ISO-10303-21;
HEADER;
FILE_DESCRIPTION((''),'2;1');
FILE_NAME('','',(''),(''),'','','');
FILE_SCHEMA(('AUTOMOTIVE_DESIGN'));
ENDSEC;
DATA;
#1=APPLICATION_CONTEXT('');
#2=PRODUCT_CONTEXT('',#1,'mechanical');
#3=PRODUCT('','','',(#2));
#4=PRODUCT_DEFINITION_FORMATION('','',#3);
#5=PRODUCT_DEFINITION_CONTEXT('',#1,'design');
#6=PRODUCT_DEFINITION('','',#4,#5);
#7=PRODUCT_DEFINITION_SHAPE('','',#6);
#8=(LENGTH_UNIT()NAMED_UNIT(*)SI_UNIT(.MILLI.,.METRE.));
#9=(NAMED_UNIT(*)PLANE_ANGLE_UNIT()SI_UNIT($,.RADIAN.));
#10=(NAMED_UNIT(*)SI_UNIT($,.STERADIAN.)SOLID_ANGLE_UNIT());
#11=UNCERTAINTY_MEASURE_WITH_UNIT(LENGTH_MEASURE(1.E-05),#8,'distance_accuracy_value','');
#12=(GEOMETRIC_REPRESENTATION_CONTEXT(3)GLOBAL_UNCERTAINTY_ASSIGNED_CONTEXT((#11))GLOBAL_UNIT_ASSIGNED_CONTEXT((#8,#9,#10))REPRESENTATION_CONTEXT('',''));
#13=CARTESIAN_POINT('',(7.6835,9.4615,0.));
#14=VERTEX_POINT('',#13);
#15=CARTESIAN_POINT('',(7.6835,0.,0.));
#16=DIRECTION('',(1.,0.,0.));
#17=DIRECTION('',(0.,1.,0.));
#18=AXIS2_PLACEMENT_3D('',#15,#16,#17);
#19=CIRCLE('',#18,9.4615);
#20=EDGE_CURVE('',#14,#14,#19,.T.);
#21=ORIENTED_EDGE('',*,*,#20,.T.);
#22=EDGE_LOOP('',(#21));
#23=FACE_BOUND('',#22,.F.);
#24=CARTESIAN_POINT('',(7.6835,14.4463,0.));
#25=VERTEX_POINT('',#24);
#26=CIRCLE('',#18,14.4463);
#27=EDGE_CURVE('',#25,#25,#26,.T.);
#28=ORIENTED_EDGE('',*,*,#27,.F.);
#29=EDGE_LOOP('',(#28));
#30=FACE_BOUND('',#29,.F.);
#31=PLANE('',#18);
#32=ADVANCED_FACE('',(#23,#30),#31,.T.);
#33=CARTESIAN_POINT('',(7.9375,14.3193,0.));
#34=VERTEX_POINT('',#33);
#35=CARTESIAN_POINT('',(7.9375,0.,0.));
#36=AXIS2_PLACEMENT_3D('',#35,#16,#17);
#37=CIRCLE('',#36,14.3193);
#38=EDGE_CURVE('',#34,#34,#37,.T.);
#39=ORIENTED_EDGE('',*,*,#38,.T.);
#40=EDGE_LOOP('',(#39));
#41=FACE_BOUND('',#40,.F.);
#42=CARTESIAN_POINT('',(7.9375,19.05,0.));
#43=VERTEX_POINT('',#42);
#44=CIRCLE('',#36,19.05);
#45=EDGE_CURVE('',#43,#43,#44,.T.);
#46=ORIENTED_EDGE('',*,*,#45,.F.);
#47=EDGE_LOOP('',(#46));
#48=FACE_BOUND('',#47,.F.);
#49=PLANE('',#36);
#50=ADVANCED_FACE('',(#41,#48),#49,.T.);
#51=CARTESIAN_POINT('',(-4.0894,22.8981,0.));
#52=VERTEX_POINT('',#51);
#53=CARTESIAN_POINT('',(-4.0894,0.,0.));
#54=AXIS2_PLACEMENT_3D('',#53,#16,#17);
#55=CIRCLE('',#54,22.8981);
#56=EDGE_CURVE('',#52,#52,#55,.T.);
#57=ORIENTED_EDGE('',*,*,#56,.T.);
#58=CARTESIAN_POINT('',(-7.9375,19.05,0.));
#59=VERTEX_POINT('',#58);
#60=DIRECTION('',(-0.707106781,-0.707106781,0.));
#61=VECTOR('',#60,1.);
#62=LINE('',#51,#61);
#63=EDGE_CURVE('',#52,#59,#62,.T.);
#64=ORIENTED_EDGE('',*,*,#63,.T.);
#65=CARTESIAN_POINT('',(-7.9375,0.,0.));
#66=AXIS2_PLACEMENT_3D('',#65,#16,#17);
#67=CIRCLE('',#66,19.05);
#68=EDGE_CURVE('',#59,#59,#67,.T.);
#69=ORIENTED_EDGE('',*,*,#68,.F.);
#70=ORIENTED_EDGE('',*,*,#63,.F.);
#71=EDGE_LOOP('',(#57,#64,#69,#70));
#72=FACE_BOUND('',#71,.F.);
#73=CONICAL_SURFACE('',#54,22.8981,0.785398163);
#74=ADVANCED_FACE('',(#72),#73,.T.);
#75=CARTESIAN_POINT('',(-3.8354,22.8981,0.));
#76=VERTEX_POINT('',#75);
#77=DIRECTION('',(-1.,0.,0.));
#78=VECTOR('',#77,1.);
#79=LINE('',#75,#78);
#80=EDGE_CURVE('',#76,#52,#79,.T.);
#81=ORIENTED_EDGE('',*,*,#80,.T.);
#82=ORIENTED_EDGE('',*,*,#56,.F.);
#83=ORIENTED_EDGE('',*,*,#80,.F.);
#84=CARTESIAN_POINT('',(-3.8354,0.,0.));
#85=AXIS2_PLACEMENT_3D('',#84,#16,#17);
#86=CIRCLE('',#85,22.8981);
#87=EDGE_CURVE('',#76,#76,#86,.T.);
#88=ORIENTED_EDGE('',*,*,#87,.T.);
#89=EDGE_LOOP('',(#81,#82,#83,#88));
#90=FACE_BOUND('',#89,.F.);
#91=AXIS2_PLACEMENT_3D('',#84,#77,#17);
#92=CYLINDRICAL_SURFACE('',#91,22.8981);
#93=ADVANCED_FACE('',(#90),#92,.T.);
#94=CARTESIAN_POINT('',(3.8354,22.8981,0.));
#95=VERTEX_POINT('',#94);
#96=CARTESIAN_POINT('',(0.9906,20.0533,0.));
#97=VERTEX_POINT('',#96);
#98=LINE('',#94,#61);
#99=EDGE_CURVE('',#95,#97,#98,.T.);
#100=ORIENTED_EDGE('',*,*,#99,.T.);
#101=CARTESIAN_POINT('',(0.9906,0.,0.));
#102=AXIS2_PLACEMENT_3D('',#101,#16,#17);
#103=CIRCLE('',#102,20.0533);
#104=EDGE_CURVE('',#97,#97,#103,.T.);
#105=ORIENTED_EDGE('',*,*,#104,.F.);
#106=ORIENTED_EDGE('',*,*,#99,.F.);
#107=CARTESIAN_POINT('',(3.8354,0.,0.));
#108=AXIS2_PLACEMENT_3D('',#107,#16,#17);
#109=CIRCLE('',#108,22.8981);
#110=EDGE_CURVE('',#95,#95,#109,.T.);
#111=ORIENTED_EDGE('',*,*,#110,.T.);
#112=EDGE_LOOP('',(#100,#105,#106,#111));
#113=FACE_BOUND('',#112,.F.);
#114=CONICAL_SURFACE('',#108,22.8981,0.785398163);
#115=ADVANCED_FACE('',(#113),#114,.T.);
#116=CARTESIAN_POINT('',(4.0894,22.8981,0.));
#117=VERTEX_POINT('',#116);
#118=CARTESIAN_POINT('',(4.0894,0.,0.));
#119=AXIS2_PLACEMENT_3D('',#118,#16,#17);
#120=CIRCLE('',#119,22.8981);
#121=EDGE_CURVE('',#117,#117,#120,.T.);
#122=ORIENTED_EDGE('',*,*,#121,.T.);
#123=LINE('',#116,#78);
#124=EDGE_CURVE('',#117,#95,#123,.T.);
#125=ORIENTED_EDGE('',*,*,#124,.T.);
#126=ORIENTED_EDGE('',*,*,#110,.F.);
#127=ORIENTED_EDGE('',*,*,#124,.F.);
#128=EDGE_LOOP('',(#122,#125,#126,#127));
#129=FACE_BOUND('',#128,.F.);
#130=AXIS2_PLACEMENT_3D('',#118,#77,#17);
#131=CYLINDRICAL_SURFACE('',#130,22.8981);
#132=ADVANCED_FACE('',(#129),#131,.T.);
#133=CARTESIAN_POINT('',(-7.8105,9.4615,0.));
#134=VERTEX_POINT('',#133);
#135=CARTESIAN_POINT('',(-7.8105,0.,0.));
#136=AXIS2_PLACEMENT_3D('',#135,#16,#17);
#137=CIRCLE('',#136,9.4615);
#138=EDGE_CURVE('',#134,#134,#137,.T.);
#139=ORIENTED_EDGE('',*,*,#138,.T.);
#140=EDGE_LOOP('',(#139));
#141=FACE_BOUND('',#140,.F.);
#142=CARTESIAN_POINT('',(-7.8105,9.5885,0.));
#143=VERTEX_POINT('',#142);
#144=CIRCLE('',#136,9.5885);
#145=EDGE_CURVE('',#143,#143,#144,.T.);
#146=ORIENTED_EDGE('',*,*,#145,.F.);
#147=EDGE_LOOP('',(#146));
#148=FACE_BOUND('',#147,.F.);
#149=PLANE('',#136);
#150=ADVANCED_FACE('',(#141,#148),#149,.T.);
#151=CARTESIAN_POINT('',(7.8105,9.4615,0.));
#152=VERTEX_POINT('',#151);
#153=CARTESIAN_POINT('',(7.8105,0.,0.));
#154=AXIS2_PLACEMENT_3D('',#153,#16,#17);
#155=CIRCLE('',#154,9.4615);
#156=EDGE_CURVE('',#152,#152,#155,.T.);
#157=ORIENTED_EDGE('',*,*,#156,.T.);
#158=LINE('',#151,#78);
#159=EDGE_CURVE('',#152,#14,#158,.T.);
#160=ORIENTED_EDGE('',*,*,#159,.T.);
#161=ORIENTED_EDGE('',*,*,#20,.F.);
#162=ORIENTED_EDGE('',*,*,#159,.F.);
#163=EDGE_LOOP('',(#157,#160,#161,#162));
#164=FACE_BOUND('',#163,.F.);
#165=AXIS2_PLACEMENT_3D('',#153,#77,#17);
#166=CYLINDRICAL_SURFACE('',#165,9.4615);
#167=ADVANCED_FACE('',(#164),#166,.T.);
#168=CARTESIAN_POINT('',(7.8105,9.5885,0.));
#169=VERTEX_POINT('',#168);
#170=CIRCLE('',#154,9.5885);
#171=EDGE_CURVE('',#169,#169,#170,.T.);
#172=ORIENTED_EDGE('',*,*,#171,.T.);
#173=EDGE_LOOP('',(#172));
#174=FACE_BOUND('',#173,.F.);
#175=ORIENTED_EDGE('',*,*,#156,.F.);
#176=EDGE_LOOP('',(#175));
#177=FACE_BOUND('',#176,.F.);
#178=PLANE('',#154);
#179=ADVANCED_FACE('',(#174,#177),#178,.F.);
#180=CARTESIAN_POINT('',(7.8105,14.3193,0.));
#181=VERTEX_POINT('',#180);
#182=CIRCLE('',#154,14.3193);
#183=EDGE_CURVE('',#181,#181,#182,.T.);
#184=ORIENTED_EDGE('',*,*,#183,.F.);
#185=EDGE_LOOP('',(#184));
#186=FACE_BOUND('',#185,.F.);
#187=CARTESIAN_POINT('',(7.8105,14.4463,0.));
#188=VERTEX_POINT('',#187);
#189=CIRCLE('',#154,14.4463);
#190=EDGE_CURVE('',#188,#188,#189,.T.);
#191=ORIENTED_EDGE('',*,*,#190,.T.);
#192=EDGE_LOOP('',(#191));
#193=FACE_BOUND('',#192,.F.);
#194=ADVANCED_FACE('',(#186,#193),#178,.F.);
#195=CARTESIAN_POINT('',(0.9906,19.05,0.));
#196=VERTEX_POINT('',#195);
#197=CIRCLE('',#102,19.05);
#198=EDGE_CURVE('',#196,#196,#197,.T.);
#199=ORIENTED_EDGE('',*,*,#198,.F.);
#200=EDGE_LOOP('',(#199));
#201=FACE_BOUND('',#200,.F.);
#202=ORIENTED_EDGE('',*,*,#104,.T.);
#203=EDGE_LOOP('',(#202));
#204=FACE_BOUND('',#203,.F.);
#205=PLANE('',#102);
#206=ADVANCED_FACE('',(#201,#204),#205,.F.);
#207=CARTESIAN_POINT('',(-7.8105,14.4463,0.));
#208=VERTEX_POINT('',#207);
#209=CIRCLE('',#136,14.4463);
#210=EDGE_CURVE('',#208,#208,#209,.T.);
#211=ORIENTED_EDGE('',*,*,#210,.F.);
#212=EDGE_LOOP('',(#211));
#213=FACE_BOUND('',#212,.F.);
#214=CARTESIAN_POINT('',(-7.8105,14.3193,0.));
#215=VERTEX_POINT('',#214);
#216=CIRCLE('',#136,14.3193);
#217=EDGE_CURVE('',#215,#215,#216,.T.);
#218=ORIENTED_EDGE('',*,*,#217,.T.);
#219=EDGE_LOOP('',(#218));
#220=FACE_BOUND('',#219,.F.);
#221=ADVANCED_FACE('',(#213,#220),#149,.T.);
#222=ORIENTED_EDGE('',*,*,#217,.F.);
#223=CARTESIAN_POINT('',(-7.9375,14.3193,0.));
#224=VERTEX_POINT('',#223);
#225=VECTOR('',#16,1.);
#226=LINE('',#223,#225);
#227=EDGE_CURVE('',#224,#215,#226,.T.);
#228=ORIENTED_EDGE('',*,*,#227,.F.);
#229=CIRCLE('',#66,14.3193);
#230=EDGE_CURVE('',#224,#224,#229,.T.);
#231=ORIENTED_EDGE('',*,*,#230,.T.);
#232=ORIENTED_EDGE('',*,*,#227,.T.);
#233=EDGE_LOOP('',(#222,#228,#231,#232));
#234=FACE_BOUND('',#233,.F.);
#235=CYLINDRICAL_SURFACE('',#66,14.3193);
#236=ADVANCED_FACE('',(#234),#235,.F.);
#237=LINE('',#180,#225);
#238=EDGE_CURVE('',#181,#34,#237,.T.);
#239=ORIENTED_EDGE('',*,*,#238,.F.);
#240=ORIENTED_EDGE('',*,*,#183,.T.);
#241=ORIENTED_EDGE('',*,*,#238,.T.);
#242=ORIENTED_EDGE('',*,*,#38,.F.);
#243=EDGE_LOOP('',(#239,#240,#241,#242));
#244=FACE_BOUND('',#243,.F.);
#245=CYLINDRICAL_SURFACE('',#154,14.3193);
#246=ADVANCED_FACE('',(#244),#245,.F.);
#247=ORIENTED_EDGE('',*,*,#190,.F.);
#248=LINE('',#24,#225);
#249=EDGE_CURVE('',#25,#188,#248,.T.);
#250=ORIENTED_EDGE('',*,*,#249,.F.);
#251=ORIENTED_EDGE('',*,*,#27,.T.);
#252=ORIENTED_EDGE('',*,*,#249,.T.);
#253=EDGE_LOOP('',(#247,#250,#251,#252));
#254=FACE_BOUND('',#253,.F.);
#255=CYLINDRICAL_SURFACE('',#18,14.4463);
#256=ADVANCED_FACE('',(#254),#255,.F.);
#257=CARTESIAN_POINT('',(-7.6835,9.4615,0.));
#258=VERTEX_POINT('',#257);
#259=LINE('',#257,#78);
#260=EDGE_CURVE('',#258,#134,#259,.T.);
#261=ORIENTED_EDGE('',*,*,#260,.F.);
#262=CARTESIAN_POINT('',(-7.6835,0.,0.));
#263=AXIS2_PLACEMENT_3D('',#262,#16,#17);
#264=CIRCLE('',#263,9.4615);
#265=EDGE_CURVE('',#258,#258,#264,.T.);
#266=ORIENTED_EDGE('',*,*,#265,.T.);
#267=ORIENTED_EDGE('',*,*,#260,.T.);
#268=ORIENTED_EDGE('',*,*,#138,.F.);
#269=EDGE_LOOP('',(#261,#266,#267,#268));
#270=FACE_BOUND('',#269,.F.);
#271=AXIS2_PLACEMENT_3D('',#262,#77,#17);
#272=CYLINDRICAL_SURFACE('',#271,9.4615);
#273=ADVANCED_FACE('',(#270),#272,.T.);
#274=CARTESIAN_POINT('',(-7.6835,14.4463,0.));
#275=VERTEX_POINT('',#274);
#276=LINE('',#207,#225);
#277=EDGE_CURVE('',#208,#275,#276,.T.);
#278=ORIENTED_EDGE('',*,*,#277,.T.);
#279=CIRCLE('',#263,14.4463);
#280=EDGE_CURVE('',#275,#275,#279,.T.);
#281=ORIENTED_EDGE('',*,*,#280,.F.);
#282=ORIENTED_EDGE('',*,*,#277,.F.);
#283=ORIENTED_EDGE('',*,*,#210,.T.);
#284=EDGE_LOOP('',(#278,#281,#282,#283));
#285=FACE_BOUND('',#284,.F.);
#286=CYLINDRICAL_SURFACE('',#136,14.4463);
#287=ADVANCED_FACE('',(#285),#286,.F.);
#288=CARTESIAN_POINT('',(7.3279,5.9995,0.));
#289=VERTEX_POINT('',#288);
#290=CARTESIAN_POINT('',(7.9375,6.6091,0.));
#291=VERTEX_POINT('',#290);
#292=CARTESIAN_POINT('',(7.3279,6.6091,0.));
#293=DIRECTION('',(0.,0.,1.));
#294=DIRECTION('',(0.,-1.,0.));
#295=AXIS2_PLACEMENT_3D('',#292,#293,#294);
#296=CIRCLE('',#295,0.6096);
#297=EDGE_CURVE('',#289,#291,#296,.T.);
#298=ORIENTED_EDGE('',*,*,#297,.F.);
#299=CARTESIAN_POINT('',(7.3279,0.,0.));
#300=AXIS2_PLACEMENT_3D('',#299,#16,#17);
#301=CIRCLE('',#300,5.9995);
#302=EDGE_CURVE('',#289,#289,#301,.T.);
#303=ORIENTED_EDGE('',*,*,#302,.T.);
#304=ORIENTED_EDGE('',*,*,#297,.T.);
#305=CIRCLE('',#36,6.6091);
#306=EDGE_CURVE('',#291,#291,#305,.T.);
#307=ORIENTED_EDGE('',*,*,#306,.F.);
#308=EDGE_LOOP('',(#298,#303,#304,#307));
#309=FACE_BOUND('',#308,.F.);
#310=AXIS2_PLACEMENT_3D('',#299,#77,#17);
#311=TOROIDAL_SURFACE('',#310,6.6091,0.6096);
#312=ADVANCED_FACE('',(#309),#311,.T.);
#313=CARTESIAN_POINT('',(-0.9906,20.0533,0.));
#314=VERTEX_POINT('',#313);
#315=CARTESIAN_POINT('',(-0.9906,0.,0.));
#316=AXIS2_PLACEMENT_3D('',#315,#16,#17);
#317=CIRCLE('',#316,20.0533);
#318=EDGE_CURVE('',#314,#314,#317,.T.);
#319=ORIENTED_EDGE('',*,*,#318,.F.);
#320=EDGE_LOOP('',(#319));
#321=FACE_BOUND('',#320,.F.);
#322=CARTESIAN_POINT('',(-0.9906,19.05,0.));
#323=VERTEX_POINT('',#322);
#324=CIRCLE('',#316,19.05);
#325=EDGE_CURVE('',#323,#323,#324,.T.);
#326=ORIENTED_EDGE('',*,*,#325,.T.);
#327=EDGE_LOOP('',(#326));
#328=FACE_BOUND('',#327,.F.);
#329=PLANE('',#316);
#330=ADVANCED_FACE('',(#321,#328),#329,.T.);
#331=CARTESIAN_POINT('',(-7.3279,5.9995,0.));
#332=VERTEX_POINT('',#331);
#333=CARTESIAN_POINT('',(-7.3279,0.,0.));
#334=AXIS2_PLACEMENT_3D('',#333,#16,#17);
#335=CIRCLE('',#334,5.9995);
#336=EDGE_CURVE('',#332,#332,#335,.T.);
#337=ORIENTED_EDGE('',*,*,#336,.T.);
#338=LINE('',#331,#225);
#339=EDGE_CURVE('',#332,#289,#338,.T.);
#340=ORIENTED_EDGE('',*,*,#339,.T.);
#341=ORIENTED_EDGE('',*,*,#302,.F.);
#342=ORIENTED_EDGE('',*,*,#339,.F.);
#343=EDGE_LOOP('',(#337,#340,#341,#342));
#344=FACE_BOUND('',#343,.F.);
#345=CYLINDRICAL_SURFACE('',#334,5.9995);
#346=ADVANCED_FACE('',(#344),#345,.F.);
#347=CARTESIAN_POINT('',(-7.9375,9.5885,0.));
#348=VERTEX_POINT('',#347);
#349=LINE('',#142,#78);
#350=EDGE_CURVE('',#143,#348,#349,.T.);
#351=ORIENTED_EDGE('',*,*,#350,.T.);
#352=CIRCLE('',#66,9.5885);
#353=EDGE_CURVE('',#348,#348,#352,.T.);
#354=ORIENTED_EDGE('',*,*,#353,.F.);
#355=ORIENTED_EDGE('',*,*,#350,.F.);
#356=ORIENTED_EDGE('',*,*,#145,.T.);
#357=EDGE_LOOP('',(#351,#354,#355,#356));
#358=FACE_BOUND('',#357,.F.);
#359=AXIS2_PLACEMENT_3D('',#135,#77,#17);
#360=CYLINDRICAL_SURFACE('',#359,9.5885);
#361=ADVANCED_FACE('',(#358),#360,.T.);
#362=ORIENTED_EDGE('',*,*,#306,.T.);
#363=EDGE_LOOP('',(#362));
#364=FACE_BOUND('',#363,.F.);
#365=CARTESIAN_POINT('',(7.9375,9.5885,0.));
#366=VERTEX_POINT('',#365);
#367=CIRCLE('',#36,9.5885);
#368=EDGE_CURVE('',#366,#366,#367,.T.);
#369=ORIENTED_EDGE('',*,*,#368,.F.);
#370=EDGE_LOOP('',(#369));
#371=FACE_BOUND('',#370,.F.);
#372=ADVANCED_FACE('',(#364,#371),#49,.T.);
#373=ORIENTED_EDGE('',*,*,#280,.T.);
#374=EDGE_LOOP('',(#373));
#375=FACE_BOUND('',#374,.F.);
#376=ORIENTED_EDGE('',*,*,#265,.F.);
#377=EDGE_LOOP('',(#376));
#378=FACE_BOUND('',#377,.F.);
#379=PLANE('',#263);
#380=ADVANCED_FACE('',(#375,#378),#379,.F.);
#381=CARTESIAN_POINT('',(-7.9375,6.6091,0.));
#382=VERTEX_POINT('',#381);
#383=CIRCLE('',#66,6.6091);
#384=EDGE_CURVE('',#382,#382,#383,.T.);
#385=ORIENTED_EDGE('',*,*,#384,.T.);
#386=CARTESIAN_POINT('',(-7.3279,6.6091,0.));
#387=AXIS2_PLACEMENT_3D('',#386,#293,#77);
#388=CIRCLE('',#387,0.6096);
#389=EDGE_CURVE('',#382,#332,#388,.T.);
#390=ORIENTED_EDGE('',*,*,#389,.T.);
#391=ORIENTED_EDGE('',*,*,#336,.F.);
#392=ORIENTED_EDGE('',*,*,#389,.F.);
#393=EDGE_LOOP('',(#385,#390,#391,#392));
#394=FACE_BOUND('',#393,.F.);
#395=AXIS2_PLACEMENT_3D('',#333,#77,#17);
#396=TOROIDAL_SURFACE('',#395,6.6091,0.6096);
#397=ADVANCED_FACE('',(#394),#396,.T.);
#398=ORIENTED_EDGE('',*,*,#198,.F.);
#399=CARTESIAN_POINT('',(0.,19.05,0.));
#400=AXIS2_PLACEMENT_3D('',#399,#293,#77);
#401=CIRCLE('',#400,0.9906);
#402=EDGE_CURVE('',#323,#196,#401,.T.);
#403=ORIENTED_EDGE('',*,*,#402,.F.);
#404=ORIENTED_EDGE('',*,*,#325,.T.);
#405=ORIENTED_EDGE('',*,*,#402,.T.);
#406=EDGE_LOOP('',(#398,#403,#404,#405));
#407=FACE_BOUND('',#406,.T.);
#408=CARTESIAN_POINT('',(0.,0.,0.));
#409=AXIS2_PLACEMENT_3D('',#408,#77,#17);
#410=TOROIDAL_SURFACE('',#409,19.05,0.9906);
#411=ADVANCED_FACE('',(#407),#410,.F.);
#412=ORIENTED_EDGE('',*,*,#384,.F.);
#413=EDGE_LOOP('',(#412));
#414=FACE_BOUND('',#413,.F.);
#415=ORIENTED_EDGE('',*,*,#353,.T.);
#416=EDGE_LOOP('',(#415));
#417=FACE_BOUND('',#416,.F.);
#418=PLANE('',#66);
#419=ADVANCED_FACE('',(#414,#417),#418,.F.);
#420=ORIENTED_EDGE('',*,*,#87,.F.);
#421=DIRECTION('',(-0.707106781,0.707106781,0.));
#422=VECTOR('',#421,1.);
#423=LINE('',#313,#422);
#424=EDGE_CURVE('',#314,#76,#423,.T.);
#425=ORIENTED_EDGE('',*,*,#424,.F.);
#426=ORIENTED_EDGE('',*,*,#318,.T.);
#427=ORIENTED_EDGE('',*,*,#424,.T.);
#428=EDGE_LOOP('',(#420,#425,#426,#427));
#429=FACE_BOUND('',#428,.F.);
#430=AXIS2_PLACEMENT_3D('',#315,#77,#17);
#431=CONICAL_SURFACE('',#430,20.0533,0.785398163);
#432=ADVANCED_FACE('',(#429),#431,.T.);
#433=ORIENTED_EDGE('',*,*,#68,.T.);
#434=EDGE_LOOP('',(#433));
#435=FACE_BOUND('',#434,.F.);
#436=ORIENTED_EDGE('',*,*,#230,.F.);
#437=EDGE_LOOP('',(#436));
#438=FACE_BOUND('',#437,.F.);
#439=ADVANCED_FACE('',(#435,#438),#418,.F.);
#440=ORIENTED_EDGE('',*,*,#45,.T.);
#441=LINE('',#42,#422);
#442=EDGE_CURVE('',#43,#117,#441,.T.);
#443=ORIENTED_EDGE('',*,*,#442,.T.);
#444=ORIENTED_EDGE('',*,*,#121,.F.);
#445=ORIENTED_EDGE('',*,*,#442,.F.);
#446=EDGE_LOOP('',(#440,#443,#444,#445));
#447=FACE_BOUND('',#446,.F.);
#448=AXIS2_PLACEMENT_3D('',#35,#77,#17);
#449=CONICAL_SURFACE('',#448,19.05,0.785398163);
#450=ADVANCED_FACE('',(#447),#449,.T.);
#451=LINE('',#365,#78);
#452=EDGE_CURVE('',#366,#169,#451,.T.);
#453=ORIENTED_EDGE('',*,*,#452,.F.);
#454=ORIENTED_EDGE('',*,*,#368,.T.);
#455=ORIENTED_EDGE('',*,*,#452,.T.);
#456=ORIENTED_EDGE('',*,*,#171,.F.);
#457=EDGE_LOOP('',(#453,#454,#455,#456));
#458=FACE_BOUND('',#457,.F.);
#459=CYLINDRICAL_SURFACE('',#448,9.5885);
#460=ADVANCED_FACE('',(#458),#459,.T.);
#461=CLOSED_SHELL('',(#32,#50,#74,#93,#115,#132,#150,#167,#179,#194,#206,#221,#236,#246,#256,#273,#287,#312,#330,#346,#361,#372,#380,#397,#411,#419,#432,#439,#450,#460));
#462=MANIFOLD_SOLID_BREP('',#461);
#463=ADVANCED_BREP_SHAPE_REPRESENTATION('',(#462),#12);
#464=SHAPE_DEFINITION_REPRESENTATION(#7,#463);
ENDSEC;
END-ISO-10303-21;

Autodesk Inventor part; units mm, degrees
sketch "Sketch_1" plane through (0, 0, 0) normal (0, 0, 1) x (1, 0, 0)
  line L0 (7.3279, 0) -> (-7.3279, 0)
  line L1 (-7.9375, 9.5885) -> (-7.9375, 6.6091)
  arc A0 (-7.9375, 6.6091) -> (-7.3279, 5.9995) centre (-7.3279, 6.6091) ccw
  line L2 (-7.3279, 5.9995) -> (7.3279, 5.9995)
  arc A1 (7.3279, 5.9995) -> (7.9375, 6.6091) centre (7.3279, 6.6091) ccw
  line L3 (7.9375, 6.6091) -> (7.9375, 9.5885)
  line L4 (7.9375, 9.5885) -> (7.8105, 9.5885)
  line L5 (7.8105, 9.5885) -> (7.8105, 9.4615)
  line L6 (7.8105, 9.4615) -> (7.6835, 9.4615)
  line L7 (7.6835, 9.4615) -> (7.6835, 14.4463)
  line L8 (7.6835, 14.4463) -> (7.8105, 14.4463)
  line L9 (7.8105, 14.4463) -> (7.8105, 14.3193)
  line L10 (7.8105, 14.3193) -> (7.9375, 14.3193)
  line L11 (7.9375, 14.3193) -> (7.9375, 19.05)
  line L12 (7.9375, 19.05) -> (4.0894, 22.8981)
  line L13 (4.0894, 22.8981) -> (3.8354, 22.8981)
  line L14 (3.8354, 22.8981) -> (0.9906, 20.0533)
  line L15 (0.9906, 20.0533) -> (0.9906, 19.05)
  arc A2 (-0.9906, 19.05) -> (0.9906, 19.05) centre (0, 19.05) ccw
  line L16 (-0.9906, 19.05) -> (-0.9906, 20.0533)
  line L17 (-0.9906, 20.0533) -> (-3.8354, 22.8981)
  line L18 (-3.8354, 22.8981) -> (-4.0894, 22.8981)
  line L19 (-4.0894, 22.8981) -> (-7.9375, 19.05)
  line L20 (-7.9375, 19.05) -> (-7.9375, 14.3193)
  line L21 (-7.9375, 14.3193) -> (-7.8105, 14.3193)
  line L22 (-7.8105, 14.3193) -> (-7.8105, 14.4463)
  line L23 (-7.8105, 14.4463) -> (-7.6835, 14.4463)
  line L24 (-7.6835, 14.4463) -> (-7.6835, 9.4615)
  line L25 (-7.6835, 9.4615) -> (-7.8105, 9.4615)
  line L26 (-7.8105, 9.4615) -> (-7.8105, 9.5885)
  line L27 (-7.8105, 9.5885) -> (-7.9375, 9.5885)
revolve "Revolution1" add sketch "Sketch_1" angle 360 about axis through (7.3279, 0, 0) along (1, 0, 0)
ref_plane "b_XY" through (-7.3279, 5.9995, 0) normal (0, 0, 1) x (1, 0, 0)
ref_plane "b_YZ" through (-7.3279, 5.9995, 0) normal (1, 0, 0) x (0, 1, 0)
ref_plane "b_ZX" through (-7.3279, 5.9995, 0) normal (0, 1, 0) x (0, 0, 1)
ref_plane "b1_XY" through (-7.3279, -5.9995, 0) normal (0, 0, 1) x (1, 0, 0)
ref_plane "b1_YZ" through (-7.3279, -5.9995, 0) normal (1, 0, 0) x (0, 1, 0)
ref_plane "b1_ZX" through (-7.3279, -5.9995, 0) normal (0, 1, 0) x (0, 0, 1)
ref_plane "d_XY" through (-3.9688, 22.8981, 0) normal (0, 0, 1) x (1, 0, 0)
ref_plane "d_YZ" through (-3.9688, 22.8981, 0) normal (1, 0, 0) x (0, 1, 0)
ref_plane "d_ZX" through (-3.9688, 22.8981, 0) normal (0, 1, 0) x (0, 0, 1)
ref_plane "d1_XY" through (-3.9688, -22.8981, 0) normal (0, 0, 1) x (1, 0, 0)
ref_plane "d1_YZ" through (-3.9688, -22.8981, 0) normal (1, 0, 0) x (0, 1, 0)
ref_plane "d1_ZX" through (-3.9688, -22.8981, 0) normal (0, 1, 0) x (0, 0, 1)
ref_plane "vri_XY" through (0, 19.05, 0) normal (0, 0, 1) x (1, 0, 0)
ref_plane "vri_YZ" through (0, 19.05, 0) normal (1, 0, 0) x (0, 1, 0)
ref_plane "vri_ZX" through (0, 19.05, 0) normal (0, 1, 0) x (0, 0, 1)
ref_plane "vri1_XY" through (7.9375, 0, 0) normal (0, 0, 1) x (1, 0, 0)
ref_plane "vri1_YZ" through (7.9375, 0, 0) normal (1, 0, 0) x (0, 1, 0)
ref_plane "vri1_ZX" through (7.9375, 0, 0) normal (0, 1, 0) x (0, 0, 1)
ref_plane "w_XY" through (-7.9375, 19.05, 0) normal (0, 0, 1) x (1, 0, 0)
ref_plane "w_YZ" through (-7.9375, 19.05, 0) normal (1, 0, 0) x (0, 1, 0)
ref_plane "w_ZX" through (-7.9375, 19.05, 0) normal (0, 1, 0) x (0, 0, 1)
ref_plane "w1_XY" through (7.9375, 19.05, 0) normal (0, 0, 1) x (1, 0, 0)
ref_plane "w1_YZ" through (7.9375, 19.05, 0) normal (1, 0, 0) x (0, 1, 0)
ref_plane "w1_ZX" through (7.9375, 19.05, 0) normal (0, 1, 0) x (0, 0, 1)
ref_plane "wheel_XY" through (7.9375, 0, 0) normal (1, 0, 0) x (0, 0, -1)
ref_plane "wheel_YZ" through (7.9375, 0, 0) normal (0, 0, -1) x (0, 1, 0)
ref_plane "wheel_ZX" through (7.9375, 0, 0) normal (0, 1, 0) x (1, 0, 0)
ref_plane "wheel2_XY" through (-7.9375, 0, 0) normal (1, 0, 0) x (0, 0, -1)
ref_plane "wheel2_YZ" through (-7.9375, 0, 0) normal (0, 0, -1) x (0, 1, 0)
ref_plane "wheel2_ZX" through (-7.9375, 0, 0) normal (0, 1, 0) x (1, 0, 0)
properties part number "W3X"
